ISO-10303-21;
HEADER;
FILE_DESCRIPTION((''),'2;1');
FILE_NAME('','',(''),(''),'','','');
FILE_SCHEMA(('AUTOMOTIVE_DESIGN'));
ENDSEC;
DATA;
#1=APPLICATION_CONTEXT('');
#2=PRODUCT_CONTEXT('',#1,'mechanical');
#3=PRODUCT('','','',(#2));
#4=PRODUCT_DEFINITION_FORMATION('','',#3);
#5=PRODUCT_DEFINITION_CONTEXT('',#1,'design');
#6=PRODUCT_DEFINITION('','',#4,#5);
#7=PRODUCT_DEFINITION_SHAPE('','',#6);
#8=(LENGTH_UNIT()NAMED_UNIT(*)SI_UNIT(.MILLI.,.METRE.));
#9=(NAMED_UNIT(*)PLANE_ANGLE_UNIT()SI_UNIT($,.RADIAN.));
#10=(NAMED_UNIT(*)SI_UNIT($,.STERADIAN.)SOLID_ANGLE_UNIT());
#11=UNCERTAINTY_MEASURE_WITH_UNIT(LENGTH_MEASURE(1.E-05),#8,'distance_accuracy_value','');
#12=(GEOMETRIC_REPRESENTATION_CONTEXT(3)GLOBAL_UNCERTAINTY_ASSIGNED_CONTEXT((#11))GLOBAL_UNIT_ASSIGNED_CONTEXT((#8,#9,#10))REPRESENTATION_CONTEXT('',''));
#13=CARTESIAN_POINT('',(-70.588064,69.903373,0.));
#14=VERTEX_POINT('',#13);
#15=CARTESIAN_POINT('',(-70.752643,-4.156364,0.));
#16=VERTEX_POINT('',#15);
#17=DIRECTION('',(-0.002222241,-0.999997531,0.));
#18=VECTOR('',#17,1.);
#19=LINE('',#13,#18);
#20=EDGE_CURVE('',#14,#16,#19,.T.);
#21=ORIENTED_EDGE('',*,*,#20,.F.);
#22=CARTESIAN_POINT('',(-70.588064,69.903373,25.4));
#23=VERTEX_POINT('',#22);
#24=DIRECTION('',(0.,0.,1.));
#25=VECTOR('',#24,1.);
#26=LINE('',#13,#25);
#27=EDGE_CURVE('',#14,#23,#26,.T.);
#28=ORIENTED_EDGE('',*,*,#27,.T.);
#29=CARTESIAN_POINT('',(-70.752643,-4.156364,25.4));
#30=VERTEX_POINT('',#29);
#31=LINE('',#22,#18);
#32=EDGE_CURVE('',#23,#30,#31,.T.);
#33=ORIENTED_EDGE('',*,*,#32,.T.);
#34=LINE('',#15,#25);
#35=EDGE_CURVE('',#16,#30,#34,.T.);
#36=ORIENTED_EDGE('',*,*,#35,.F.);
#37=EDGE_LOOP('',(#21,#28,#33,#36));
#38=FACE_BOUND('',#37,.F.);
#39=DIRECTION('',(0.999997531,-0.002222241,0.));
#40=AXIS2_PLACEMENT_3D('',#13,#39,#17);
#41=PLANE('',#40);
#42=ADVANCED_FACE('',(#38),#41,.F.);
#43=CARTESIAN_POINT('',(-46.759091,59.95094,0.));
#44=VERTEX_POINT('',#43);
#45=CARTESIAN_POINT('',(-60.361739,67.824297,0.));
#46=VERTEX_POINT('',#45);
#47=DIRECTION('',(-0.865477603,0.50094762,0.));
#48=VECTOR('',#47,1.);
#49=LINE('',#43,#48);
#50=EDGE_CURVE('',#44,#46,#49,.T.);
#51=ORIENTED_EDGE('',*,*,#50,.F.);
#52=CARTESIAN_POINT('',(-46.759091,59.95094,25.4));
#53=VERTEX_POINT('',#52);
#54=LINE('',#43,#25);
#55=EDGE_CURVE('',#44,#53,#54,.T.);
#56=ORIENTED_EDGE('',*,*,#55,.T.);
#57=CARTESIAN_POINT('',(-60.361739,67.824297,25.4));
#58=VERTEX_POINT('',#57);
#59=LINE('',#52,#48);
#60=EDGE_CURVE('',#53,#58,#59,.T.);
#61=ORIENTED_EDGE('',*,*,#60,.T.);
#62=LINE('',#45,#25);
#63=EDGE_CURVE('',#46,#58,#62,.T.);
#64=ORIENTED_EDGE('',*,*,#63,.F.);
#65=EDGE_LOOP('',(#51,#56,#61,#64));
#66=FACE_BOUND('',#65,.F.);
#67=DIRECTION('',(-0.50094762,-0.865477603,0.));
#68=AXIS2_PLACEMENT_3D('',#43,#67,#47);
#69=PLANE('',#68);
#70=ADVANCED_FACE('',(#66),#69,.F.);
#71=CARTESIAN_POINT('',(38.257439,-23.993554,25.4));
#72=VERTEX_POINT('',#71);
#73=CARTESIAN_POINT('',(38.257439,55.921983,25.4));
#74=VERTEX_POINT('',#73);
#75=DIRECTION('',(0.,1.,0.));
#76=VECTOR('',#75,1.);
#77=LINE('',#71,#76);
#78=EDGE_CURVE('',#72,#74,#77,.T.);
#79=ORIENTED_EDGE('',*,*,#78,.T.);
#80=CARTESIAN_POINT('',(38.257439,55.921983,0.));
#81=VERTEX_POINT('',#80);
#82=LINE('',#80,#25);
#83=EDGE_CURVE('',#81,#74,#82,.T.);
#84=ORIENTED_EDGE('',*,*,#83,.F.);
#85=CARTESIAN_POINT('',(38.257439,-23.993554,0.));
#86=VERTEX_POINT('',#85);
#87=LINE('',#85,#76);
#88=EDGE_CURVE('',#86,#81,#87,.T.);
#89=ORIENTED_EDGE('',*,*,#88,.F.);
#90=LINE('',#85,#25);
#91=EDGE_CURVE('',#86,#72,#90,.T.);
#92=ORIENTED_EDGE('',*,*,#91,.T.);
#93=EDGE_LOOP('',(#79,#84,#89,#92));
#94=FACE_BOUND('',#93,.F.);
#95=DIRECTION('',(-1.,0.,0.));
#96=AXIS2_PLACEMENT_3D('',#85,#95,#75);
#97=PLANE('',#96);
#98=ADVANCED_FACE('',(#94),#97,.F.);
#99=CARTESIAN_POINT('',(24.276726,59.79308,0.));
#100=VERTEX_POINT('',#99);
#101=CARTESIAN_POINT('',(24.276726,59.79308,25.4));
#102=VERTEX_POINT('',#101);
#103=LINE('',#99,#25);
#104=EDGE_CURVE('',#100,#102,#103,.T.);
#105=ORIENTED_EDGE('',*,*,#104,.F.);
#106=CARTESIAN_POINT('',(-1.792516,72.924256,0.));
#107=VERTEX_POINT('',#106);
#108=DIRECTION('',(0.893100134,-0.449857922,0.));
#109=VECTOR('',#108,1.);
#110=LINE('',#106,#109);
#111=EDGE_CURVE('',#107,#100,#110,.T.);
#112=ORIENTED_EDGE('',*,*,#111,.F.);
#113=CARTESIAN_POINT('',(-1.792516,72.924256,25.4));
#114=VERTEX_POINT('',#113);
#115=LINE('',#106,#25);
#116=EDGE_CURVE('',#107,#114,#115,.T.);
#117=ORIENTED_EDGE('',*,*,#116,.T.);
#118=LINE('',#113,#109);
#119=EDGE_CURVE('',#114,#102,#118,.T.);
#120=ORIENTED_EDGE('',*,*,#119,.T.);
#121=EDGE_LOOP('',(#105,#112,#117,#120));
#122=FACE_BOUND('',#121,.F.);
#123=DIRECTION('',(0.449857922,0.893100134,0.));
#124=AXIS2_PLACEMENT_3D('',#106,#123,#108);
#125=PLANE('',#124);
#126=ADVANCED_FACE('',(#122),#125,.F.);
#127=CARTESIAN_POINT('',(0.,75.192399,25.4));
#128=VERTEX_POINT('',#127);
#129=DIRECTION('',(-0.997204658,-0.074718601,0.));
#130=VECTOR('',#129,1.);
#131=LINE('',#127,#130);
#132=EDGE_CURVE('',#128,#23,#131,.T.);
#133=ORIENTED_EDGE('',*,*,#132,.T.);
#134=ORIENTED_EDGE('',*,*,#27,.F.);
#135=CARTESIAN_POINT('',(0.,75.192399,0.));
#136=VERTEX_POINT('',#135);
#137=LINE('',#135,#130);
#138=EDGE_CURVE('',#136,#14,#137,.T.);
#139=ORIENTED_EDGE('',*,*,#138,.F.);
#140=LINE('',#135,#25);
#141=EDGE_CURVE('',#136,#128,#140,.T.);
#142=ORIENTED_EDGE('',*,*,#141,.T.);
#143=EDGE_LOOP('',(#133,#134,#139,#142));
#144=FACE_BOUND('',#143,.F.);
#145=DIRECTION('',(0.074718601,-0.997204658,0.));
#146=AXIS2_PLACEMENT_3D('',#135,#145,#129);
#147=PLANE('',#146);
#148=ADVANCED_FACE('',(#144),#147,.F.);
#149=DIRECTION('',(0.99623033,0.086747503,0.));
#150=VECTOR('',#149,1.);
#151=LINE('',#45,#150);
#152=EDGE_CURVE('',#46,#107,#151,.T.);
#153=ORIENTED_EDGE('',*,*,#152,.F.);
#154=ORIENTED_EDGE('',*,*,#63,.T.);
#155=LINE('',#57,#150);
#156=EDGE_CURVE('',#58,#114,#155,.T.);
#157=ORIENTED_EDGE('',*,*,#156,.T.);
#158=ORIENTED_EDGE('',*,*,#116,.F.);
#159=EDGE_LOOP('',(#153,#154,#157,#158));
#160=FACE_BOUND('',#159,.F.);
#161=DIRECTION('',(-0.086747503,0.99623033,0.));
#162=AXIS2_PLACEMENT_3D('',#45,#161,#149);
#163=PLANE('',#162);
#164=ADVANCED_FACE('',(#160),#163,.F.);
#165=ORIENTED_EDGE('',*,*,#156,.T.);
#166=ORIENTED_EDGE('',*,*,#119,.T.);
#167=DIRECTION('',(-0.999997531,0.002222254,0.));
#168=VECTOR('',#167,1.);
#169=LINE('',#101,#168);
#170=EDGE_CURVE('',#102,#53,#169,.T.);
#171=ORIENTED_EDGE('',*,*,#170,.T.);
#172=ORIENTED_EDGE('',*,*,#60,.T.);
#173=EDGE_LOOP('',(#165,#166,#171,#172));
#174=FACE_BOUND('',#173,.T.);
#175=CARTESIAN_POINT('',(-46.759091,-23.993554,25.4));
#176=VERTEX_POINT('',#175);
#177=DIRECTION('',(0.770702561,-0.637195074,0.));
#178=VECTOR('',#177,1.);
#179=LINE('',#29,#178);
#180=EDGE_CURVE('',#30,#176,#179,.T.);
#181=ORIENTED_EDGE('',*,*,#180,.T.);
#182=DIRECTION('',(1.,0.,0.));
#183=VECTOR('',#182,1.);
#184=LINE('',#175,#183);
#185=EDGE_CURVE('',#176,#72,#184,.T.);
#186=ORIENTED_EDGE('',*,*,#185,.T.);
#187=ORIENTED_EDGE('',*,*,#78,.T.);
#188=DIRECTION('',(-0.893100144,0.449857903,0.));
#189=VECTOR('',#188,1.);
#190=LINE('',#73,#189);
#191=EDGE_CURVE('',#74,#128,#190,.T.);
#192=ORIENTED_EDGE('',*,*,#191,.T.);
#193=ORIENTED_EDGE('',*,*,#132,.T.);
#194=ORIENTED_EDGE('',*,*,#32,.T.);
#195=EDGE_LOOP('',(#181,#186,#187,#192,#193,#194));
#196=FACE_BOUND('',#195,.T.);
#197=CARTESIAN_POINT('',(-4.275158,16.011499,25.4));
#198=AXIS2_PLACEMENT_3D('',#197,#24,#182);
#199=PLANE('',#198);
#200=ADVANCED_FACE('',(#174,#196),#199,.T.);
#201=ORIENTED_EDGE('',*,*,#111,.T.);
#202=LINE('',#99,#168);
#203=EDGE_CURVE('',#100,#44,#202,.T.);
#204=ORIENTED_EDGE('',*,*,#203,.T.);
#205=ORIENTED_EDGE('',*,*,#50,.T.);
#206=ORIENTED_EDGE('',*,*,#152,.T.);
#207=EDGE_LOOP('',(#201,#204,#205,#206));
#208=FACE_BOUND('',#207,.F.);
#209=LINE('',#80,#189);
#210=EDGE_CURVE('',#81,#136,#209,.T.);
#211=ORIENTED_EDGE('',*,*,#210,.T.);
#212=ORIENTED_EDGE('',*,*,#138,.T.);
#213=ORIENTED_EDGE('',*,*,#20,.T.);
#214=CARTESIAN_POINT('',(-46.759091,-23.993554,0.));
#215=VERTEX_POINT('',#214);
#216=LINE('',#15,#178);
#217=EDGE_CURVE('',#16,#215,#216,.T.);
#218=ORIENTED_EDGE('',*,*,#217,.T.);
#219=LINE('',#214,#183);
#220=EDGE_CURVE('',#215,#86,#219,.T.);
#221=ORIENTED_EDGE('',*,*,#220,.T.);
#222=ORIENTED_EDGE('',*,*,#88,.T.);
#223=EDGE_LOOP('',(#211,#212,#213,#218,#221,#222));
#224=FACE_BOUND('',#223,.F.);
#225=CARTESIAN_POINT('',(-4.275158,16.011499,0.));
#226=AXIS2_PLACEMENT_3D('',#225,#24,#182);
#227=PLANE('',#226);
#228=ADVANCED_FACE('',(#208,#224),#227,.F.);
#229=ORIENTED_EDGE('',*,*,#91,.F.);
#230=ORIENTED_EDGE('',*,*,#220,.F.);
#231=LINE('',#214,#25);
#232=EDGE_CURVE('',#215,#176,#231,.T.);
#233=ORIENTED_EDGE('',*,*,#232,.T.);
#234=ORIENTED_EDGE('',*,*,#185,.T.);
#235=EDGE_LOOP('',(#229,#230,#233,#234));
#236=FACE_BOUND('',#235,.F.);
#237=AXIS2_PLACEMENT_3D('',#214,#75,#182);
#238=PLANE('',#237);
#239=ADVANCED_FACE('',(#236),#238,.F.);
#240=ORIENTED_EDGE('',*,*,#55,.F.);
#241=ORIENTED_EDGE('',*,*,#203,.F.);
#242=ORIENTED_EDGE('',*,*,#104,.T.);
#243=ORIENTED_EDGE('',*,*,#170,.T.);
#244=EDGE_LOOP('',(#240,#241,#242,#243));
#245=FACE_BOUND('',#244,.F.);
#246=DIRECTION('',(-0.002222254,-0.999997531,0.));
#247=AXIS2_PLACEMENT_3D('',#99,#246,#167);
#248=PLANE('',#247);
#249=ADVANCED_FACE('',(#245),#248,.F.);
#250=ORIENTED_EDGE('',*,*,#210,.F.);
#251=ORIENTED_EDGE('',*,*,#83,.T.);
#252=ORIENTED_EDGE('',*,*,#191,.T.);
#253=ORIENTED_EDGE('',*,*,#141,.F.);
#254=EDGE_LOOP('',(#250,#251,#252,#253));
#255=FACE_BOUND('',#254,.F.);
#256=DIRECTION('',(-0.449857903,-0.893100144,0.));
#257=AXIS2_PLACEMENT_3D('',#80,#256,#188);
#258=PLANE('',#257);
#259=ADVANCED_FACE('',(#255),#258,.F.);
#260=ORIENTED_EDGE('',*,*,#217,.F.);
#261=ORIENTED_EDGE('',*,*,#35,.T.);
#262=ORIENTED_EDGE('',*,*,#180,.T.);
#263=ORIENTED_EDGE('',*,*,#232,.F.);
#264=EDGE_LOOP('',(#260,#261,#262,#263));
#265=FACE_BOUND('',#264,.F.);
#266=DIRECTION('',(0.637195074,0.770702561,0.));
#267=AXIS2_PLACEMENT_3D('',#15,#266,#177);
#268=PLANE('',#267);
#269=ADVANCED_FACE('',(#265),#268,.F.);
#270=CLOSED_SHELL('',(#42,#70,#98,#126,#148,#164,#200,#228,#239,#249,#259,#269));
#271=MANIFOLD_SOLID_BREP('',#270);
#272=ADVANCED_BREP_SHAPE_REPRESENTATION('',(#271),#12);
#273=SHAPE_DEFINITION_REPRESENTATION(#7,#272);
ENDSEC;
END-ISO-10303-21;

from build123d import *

# Parameters (mm, degrees)
F1_DEPTH = 25.4


with BuildPart() as f1:
    # F0 (on Top) → F1 (new body)
    with BuildSketch(Plane.XY):
        Polygon((-4.628678, 56.017287), (-46.759091, 56.110911), (-46.759091, -23.993554), (38.257439, -23.993554), (38.257439, 55.921983), align=None)
        Polygon((-70.588064, 69.903373), (-46.759091, 56.110911), (-4.628678, 56.017287), (38.257439, 55.921983), (0, 75.192399), align=None)
        Polygon((-46.759091, 59.95094), (-60.361739, 67.824297), (-1.792516, 72.924256), (24.276726, 59.79308), align=None, mode=Mode.SUBTRACT)
        Polygon((-46.759091, -23.993554), (-46.759091, 56.110911), (-70.588064, 69.903373), (-70.752643, -4.156364), align=None)
    extrude(amount=F1_DEPTH)


solid = f1.part
